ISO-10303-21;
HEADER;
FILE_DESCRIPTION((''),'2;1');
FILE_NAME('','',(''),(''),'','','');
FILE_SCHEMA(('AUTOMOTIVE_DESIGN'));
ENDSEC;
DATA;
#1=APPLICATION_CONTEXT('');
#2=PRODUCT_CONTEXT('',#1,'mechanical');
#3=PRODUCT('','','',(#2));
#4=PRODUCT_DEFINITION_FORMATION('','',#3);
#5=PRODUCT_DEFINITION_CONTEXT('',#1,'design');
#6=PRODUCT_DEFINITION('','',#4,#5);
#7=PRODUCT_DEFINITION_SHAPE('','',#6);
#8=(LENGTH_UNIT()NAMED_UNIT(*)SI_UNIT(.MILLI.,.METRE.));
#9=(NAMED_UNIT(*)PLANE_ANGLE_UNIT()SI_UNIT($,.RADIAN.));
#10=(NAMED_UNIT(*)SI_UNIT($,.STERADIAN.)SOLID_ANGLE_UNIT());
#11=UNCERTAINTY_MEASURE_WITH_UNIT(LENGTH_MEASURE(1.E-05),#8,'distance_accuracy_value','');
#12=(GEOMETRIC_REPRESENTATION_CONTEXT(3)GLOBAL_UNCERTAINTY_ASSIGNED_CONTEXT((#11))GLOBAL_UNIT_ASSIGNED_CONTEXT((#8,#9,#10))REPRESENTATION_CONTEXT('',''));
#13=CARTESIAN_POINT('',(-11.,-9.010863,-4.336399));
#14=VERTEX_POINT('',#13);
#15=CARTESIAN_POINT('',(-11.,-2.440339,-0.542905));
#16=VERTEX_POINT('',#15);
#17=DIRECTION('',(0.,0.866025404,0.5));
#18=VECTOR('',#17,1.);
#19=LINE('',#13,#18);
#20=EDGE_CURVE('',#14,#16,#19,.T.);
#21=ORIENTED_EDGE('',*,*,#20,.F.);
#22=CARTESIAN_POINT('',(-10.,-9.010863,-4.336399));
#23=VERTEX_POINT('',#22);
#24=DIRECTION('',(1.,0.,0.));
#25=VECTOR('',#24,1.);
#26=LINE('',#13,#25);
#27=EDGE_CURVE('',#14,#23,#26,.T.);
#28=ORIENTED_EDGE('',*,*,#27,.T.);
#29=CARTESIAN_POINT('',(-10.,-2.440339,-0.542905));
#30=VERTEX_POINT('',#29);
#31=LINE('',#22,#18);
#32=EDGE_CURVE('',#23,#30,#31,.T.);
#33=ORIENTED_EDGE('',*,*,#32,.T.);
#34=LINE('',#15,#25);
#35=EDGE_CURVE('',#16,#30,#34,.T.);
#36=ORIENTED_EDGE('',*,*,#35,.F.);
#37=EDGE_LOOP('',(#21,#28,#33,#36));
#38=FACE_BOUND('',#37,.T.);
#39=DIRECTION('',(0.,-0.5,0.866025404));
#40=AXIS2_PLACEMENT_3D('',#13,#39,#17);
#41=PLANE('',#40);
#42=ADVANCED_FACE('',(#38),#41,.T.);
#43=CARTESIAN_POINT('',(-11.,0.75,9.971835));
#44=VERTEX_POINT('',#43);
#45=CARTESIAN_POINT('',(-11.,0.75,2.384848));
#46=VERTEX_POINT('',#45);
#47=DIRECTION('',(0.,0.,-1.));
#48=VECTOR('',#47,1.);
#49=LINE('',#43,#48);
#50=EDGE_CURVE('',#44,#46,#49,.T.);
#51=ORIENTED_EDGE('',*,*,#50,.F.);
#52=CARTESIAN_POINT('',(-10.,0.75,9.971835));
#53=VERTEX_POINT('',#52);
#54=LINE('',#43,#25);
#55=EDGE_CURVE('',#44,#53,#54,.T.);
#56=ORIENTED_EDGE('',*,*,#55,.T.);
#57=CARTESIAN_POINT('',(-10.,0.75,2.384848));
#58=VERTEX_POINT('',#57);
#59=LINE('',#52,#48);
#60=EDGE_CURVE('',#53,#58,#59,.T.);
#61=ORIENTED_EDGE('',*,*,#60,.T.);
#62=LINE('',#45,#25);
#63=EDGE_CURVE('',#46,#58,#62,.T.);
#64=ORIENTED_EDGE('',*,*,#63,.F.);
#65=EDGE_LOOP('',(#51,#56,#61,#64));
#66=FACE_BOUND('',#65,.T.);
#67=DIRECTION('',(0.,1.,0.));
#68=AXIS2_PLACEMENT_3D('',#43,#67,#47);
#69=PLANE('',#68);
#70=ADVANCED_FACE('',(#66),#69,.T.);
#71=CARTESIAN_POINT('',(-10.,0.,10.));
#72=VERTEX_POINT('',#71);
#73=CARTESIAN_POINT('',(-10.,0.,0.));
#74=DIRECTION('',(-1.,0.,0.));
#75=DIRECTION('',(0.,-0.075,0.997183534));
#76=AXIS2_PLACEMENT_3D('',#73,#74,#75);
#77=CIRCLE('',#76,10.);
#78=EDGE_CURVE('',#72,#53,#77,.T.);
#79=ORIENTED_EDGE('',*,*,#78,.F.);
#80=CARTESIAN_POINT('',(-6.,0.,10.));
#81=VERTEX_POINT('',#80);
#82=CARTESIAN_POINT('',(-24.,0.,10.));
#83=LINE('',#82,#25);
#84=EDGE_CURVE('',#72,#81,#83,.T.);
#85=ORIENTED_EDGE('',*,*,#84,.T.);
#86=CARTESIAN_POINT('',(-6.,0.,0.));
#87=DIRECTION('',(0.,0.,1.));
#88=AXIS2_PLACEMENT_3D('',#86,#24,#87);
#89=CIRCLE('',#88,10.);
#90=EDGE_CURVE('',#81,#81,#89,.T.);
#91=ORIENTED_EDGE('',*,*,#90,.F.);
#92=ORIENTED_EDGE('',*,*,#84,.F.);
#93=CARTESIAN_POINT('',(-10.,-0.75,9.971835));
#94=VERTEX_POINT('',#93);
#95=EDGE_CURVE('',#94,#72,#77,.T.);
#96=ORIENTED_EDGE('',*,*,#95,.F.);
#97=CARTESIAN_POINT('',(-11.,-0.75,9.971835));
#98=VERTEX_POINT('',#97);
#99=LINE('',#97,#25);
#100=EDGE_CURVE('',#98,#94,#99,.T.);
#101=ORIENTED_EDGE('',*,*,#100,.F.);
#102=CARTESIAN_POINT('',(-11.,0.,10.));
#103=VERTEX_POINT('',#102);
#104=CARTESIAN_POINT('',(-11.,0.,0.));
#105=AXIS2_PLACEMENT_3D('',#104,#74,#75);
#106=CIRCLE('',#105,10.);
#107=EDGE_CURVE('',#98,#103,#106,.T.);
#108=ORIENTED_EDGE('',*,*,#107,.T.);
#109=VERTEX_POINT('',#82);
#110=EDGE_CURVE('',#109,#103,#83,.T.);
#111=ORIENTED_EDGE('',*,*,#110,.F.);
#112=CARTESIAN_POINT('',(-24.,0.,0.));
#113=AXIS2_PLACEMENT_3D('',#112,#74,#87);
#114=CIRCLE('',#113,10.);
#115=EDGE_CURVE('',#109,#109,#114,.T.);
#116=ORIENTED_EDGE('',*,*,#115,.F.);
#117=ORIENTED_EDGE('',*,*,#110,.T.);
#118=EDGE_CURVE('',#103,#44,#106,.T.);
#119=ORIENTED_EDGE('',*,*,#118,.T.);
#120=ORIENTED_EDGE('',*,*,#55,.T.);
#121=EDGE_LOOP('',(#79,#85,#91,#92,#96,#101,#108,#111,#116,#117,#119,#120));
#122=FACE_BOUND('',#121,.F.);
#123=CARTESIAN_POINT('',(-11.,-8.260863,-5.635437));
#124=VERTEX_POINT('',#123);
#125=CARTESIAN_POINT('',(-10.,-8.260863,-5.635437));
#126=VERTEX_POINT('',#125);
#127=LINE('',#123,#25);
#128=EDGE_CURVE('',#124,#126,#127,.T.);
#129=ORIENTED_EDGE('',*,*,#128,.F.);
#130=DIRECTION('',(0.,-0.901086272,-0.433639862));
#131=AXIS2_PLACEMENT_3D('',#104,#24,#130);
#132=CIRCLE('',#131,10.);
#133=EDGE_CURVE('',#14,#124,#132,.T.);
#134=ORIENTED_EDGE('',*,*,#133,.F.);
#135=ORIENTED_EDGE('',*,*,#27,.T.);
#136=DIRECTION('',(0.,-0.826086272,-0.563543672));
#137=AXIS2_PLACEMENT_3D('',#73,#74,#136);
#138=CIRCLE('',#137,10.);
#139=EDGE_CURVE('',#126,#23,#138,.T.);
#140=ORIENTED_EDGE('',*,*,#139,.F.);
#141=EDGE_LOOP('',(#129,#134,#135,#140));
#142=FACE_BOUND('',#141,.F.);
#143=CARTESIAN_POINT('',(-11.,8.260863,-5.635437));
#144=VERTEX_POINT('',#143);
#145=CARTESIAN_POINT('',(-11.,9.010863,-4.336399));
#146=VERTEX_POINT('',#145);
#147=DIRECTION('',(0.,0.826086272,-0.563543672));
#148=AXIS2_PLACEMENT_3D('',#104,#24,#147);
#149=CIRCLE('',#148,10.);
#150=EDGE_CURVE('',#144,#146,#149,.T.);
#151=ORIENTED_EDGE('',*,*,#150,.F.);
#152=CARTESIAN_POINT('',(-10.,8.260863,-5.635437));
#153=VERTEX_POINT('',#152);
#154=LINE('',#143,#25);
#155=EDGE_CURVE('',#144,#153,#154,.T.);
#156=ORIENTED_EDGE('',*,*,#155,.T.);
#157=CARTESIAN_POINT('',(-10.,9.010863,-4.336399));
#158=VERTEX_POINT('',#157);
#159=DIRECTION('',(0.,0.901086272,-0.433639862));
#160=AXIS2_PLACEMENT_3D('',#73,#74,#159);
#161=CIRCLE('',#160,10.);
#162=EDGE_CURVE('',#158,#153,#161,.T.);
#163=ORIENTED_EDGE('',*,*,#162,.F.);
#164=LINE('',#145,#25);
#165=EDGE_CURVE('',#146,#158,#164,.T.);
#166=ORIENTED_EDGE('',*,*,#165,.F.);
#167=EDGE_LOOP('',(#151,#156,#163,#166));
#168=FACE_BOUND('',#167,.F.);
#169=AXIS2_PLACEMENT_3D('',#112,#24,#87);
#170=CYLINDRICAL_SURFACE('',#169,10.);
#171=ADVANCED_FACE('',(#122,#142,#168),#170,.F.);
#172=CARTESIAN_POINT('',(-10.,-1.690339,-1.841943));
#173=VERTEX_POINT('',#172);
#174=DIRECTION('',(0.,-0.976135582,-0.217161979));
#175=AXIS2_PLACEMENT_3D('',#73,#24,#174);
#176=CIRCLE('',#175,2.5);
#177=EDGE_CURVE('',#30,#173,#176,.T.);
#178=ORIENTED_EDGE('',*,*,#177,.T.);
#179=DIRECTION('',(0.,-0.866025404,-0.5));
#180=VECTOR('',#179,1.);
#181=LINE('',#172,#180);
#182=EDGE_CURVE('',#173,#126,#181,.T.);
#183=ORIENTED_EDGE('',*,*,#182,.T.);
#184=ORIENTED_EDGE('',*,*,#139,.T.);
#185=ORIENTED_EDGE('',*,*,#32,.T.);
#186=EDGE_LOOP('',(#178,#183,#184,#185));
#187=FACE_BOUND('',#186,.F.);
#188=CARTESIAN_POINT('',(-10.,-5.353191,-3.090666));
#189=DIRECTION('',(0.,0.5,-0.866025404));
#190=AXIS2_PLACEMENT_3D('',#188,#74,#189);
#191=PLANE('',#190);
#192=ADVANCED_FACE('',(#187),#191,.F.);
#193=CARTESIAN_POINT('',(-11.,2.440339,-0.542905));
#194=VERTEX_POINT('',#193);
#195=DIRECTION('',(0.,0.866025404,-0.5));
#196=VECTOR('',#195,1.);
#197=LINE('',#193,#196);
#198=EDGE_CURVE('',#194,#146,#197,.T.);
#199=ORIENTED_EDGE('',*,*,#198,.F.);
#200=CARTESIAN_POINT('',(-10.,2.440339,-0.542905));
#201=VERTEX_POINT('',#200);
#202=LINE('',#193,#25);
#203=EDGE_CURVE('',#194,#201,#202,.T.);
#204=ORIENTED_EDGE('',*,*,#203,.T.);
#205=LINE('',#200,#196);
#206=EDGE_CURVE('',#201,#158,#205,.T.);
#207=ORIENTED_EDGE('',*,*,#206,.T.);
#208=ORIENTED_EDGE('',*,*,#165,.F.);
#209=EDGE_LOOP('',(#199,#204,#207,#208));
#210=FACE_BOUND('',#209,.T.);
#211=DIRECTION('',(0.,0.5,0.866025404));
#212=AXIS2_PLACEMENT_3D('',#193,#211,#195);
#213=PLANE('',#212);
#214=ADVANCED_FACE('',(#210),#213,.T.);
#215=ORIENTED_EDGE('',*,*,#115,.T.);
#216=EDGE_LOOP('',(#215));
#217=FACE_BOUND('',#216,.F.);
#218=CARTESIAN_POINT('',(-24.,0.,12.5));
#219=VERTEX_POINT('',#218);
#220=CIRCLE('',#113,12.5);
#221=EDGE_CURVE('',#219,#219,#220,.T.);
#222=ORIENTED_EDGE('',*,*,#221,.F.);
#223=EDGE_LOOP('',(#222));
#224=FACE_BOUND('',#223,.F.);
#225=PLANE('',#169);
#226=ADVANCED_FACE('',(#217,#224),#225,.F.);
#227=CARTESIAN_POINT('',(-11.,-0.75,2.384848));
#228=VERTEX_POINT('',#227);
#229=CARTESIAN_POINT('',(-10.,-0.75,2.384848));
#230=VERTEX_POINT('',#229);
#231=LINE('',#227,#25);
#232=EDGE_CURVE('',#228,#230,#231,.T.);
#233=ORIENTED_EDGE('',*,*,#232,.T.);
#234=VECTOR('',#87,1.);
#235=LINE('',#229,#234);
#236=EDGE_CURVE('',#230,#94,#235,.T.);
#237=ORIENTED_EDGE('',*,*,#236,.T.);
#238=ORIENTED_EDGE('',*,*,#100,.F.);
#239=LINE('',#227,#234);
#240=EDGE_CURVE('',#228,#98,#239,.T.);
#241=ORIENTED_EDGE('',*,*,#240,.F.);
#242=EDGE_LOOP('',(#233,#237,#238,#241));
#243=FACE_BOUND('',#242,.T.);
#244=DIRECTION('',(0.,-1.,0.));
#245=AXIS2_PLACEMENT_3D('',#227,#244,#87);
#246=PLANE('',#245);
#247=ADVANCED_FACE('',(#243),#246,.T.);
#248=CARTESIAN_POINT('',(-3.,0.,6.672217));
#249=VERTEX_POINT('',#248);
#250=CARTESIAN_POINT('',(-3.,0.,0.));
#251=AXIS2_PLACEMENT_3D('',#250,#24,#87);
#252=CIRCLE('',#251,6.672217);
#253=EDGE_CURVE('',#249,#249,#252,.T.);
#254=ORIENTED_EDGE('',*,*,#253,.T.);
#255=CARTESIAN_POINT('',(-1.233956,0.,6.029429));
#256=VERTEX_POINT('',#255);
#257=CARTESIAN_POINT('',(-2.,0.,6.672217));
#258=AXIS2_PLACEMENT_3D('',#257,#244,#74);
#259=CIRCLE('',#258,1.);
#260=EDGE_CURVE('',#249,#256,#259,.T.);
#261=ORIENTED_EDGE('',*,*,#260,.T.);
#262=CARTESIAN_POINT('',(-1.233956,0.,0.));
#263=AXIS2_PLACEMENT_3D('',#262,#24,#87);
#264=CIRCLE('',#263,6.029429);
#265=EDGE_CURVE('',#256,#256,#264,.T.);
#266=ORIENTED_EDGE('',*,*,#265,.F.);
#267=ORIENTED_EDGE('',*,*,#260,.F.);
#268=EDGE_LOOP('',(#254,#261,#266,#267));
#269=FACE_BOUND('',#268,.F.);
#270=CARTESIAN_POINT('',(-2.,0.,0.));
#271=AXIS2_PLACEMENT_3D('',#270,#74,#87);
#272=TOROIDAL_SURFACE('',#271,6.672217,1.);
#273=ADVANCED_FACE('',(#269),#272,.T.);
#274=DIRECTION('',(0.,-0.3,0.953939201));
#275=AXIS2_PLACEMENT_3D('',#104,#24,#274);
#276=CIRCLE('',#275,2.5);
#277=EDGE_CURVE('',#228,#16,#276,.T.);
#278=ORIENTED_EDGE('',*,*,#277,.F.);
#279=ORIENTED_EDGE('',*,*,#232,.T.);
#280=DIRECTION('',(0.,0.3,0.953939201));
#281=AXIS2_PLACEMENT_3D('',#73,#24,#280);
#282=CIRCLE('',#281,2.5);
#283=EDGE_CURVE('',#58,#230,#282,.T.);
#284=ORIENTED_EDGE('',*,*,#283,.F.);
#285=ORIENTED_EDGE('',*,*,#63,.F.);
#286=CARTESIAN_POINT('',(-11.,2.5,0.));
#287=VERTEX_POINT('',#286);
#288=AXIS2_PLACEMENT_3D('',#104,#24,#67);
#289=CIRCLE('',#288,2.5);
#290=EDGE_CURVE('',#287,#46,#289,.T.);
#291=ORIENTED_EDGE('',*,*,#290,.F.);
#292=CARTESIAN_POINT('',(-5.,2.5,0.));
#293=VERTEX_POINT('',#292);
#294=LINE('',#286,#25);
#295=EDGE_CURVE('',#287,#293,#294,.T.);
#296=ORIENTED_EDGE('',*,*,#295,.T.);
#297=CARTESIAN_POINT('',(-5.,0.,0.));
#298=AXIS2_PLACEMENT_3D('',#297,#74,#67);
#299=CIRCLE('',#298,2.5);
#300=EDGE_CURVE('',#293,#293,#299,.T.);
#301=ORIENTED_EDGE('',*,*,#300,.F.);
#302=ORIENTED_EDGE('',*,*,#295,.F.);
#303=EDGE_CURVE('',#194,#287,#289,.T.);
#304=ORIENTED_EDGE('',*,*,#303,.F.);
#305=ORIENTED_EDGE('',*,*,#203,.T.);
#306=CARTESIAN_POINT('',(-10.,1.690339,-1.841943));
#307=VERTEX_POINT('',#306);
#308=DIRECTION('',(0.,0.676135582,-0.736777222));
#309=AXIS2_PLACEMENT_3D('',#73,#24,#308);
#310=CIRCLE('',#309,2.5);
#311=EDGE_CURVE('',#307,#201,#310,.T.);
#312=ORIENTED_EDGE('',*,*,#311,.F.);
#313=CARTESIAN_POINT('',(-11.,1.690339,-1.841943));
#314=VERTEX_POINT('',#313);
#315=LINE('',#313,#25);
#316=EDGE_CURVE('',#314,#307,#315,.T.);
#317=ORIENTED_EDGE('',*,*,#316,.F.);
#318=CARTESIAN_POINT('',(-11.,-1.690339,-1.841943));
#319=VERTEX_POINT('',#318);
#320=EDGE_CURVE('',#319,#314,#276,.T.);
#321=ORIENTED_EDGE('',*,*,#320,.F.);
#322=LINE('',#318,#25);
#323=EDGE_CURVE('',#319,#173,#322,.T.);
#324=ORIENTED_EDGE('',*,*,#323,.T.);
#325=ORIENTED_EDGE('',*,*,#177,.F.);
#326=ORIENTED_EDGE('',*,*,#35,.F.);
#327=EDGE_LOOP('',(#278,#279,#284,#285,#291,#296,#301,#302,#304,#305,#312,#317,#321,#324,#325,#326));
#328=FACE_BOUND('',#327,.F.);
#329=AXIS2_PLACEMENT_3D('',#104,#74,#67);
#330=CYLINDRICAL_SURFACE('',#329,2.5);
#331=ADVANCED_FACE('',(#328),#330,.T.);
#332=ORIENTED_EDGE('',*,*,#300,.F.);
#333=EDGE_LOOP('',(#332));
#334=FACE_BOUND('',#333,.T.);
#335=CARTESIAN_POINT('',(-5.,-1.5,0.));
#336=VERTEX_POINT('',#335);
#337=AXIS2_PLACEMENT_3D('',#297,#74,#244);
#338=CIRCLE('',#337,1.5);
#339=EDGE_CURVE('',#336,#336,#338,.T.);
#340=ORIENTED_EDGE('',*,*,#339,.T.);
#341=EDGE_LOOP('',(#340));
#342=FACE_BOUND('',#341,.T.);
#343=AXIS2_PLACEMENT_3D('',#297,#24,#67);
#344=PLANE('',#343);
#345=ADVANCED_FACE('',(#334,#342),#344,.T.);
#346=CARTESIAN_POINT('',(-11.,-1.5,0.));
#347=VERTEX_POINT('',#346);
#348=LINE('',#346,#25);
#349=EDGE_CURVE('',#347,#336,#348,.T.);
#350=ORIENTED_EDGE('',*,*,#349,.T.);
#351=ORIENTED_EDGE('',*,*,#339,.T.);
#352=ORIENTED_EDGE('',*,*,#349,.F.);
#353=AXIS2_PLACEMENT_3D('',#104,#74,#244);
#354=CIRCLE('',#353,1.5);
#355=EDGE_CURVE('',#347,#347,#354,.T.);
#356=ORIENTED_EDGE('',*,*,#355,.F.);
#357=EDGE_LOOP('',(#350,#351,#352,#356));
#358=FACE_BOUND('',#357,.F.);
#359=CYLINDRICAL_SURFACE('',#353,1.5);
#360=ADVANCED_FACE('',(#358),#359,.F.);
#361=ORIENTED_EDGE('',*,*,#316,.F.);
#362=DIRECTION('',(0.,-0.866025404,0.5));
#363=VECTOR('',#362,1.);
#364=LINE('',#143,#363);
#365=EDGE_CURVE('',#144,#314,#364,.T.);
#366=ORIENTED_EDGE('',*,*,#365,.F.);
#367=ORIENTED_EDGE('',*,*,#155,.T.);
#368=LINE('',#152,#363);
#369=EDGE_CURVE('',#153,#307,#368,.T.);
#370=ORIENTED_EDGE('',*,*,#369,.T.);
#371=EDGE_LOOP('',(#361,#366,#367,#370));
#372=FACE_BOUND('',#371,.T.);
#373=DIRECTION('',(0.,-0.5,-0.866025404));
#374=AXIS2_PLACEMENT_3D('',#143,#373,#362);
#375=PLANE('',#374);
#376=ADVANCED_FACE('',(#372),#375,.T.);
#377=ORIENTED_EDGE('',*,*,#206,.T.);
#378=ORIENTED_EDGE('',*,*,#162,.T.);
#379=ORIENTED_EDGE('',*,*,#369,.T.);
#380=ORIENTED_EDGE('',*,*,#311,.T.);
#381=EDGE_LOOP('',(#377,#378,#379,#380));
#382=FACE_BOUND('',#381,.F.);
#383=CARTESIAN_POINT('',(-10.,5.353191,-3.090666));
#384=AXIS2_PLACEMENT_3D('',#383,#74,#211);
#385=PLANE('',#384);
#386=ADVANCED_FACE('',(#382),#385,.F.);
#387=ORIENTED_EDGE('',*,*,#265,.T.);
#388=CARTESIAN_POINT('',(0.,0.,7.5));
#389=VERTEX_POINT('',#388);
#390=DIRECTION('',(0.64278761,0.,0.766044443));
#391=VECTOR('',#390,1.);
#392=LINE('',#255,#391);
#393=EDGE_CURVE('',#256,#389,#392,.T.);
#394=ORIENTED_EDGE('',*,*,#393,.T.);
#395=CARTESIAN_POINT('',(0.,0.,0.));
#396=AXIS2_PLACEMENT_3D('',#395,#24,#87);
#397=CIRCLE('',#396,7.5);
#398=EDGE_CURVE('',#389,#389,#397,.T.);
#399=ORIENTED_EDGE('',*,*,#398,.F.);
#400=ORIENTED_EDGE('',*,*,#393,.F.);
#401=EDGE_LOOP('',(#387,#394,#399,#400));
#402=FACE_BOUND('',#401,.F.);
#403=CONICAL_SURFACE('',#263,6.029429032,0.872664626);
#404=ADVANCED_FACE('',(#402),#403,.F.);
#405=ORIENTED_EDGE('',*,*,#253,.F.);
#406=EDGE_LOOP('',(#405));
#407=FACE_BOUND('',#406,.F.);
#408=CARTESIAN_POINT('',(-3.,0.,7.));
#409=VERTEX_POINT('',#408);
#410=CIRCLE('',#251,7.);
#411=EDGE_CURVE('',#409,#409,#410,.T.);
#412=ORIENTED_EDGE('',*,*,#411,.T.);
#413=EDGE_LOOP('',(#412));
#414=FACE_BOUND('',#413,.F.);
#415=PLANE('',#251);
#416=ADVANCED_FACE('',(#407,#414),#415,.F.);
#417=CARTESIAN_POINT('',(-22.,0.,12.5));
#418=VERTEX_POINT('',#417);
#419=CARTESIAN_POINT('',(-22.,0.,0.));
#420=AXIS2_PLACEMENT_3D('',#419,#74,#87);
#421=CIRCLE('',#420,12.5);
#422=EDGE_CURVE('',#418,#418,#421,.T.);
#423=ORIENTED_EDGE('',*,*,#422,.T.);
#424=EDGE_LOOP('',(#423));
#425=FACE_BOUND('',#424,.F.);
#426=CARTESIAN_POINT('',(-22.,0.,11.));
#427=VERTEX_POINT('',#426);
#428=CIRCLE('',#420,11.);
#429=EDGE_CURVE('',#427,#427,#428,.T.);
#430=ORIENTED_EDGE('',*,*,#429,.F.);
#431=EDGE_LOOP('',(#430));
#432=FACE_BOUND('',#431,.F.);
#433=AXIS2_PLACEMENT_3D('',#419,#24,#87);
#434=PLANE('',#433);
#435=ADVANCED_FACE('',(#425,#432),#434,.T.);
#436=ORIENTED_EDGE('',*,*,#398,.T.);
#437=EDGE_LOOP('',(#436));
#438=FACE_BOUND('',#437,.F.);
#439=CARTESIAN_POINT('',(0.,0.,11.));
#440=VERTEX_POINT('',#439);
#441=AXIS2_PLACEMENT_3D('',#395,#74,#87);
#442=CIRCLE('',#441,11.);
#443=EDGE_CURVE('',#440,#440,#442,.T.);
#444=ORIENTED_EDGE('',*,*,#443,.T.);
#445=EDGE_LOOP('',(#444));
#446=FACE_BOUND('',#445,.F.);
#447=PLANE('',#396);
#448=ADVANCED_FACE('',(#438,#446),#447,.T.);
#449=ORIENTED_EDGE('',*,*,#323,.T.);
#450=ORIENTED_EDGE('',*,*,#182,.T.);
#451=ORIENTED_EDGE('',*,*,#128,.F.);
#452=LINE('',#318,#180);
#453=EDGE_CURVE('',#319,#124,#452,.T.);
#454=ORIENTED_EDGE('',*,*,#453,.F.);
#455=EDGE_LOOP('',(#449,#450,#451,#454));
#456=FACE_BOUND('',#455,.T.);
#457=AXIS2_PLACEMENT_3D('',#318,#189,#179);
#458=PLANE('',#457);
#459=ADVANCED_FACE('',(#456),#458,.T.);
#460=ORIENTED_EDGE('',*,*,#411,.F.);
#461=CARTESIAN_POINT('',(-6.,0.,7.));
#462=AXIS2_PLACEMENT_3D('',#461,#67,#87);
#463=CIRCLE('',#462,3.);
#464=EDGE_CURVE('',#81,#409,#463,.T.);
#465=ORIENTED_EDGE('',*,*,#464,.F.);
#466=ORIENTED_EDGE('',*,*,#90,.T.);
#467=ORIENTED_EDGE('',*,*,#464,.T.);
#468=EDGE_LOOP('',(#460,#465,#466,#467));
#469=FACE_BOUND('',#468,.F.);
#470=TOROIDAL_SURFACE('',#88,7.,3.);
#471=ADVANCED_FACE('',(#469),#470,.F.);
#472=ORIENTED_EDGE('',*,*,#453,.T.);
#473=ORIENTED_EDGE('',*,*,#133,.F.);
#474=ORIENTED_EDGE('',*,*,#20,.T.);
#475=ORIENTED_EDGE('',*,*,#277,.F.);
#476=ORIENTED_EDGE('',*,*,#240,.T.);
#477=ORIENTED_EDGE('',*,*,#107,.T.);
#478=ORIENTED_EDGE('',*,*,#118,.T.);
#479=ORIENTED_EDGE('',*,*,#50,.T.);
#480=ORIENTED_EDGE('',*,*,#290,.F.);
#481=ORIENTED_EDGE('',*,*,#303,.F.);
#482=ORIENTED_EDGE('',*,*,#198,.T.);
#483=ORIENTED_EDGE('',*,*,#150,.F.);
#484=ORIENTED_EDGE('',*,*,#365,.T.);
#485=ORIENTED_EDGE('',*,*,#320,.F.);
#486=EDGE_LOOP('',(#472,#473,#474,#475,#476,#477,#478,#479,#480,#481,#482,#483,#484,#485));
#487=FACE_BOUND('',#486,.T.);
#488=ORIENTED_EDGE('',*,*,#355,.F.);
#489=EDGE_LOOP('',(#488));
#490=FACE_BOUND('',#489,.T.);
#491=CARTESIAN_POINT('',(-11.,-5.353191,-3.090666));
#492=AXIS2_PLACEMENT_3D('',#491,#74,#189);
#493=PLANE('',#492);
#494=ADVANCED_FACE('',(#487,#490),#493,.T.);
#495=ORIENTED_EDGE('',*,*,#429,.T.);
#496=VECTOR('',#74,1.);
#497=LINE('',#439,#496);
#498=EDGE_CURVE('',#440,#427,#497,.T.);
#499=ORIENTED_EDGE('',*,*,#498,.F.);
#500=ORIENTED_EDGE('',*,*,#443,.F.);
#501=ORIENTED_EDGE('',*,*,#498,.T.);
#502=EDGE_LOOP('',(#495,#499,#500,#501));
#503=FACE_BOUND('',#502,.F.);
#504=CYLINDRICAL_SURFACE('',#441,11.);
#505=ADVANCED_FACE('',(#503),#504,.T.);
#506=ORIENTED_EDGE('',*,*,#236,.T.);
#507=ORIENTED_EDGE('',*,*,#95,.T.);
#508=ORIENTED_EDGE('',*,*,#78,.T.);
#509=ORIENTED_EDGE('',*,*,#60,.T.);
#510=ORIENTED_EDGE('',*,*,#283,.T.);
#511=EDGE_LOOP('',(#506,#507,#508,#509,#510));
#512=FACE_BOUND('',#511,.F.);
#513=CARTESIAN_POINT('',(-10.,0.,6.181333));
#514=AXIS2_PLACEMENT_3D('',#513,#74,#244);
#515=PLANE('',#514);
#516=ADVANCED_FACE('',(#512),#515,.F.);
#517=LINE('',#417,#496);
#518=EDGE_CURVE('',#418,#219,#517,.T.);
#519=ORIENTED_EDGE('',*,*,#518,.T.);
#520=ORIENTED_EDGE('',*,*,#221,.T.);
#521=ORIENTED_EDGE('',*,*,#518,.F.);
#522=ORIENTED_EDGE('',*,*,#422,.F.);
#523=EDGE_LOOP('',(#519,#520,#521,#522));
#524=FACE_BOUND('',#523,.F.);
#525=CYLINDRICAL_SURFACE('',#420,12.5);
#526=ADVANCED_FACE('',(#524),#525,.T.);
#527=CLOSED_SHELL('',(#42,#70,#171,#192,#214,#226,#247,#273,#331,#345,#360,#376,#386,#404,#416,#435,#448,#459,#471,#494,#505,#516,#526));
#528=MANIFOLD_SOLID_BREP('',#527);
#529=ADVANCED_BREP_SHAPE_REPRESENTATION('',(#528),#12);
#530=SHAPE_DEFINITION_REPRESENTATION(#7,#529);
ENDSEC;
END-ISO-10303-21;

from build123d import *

# Parameters (mm, degrees)
F3_R      = 2.5
F4_DEPTH  = 6
F6_DEPTH  = 1
F7_COUNT  = 3
F9_R      = 1.5
F10_DEPTH = 25


with BuildPart() as f1:
    # F0 (on Front) → F1 (revolve)
    with BuildSketch(Plane.XZ):
        with BuildLine():
            Line((-24, 12.5), (-24, 10))
            Line((-24, 10), (-6, 10))
            ThreePointArc((-6, 10), (-3.8786796564, 9.1213203436), (-3, 7))
            Line((-3, 7), (-3, 6.6722166417))
            ThreePointArc((-3, 6.6722166417), (-2.3420201433, 5.7325240209), (-1.2339555569, 6.029429032))
            Line((-1.2339555569, 6.029429032), (0, 7.5))
            Line((0, 7.5), (0, 11))
            Line((0, 11), (-22, 11))
            Line((-22, 11), (-22, 12.5))
            Line((-22, 12.5), (-24, 12.5))
        make_face()
    revolve(axis=Axis((0, 0, 0), (1, 0, 0)))



with BuildPart() as f4:
    # F3 (on offset) → F4 (new body)
    with BuildSketch(Plane.YZ.offset(-11)):
        Circle(F3_R)
    extrude(amount=F4_DEPTH)


with BuildPart() as f1_1:
    add(f1.part)

    add(f4.part)  # F6 merges F4
    # F5 (on face) → F6 (join)
    with BuildSketch(Plane(origin=(-11, 0, 0), x_dir=(0, -1, 0), z_dir=(-1, 0, 0))):
        with BuildLine():
            Line((0.75, 2.3848480035), (0.75, 9.9718353376))
            ThreePointArc((0.75, 9.9718353376), (0, 10), (-0.75, 9.9718353376))
            Line((-0.75, 9.9718353376), (-0.75, 2.3848480035))
            ThreePointArc((-0.75, 2.3848480035), (0, 2.5), (0.75, 2.3848480035))
        make_face()
    extrude(amount=-F6_DEPTH)


with BuildPart() as f7_1:
    # F7: instance of F1
    add(f1_1.part.rotate(Axis((-11, 0, 0), (1, 0, 0)), 1 * 360 / F7_COUNT))


with BuildPart() as f7_2:
    # F7: instance of F1
    add(f1_1.part.rotate(Axis((-11, 0, 0), (1, 0, 0)), 2 * 360 / F7_COUNT))


with BuildPart() as f1_2:
    add(f1_1.part)

    # F8: union F7_2, F7_1
    add(f7_2.part)
    add(f7_1.part)

    # F9 (on face) → F10 (cut)
    with BuildSketch(Plane(origin=(-11, 0, 0), x_dir=(0, -1, 0), z_dir=(-1, 0, 0))):
        Circle(F9_R)
    extrude(amount=-F10_DEPTH, mode=Mode.SUBTRACT)


solid = f1_2.part
